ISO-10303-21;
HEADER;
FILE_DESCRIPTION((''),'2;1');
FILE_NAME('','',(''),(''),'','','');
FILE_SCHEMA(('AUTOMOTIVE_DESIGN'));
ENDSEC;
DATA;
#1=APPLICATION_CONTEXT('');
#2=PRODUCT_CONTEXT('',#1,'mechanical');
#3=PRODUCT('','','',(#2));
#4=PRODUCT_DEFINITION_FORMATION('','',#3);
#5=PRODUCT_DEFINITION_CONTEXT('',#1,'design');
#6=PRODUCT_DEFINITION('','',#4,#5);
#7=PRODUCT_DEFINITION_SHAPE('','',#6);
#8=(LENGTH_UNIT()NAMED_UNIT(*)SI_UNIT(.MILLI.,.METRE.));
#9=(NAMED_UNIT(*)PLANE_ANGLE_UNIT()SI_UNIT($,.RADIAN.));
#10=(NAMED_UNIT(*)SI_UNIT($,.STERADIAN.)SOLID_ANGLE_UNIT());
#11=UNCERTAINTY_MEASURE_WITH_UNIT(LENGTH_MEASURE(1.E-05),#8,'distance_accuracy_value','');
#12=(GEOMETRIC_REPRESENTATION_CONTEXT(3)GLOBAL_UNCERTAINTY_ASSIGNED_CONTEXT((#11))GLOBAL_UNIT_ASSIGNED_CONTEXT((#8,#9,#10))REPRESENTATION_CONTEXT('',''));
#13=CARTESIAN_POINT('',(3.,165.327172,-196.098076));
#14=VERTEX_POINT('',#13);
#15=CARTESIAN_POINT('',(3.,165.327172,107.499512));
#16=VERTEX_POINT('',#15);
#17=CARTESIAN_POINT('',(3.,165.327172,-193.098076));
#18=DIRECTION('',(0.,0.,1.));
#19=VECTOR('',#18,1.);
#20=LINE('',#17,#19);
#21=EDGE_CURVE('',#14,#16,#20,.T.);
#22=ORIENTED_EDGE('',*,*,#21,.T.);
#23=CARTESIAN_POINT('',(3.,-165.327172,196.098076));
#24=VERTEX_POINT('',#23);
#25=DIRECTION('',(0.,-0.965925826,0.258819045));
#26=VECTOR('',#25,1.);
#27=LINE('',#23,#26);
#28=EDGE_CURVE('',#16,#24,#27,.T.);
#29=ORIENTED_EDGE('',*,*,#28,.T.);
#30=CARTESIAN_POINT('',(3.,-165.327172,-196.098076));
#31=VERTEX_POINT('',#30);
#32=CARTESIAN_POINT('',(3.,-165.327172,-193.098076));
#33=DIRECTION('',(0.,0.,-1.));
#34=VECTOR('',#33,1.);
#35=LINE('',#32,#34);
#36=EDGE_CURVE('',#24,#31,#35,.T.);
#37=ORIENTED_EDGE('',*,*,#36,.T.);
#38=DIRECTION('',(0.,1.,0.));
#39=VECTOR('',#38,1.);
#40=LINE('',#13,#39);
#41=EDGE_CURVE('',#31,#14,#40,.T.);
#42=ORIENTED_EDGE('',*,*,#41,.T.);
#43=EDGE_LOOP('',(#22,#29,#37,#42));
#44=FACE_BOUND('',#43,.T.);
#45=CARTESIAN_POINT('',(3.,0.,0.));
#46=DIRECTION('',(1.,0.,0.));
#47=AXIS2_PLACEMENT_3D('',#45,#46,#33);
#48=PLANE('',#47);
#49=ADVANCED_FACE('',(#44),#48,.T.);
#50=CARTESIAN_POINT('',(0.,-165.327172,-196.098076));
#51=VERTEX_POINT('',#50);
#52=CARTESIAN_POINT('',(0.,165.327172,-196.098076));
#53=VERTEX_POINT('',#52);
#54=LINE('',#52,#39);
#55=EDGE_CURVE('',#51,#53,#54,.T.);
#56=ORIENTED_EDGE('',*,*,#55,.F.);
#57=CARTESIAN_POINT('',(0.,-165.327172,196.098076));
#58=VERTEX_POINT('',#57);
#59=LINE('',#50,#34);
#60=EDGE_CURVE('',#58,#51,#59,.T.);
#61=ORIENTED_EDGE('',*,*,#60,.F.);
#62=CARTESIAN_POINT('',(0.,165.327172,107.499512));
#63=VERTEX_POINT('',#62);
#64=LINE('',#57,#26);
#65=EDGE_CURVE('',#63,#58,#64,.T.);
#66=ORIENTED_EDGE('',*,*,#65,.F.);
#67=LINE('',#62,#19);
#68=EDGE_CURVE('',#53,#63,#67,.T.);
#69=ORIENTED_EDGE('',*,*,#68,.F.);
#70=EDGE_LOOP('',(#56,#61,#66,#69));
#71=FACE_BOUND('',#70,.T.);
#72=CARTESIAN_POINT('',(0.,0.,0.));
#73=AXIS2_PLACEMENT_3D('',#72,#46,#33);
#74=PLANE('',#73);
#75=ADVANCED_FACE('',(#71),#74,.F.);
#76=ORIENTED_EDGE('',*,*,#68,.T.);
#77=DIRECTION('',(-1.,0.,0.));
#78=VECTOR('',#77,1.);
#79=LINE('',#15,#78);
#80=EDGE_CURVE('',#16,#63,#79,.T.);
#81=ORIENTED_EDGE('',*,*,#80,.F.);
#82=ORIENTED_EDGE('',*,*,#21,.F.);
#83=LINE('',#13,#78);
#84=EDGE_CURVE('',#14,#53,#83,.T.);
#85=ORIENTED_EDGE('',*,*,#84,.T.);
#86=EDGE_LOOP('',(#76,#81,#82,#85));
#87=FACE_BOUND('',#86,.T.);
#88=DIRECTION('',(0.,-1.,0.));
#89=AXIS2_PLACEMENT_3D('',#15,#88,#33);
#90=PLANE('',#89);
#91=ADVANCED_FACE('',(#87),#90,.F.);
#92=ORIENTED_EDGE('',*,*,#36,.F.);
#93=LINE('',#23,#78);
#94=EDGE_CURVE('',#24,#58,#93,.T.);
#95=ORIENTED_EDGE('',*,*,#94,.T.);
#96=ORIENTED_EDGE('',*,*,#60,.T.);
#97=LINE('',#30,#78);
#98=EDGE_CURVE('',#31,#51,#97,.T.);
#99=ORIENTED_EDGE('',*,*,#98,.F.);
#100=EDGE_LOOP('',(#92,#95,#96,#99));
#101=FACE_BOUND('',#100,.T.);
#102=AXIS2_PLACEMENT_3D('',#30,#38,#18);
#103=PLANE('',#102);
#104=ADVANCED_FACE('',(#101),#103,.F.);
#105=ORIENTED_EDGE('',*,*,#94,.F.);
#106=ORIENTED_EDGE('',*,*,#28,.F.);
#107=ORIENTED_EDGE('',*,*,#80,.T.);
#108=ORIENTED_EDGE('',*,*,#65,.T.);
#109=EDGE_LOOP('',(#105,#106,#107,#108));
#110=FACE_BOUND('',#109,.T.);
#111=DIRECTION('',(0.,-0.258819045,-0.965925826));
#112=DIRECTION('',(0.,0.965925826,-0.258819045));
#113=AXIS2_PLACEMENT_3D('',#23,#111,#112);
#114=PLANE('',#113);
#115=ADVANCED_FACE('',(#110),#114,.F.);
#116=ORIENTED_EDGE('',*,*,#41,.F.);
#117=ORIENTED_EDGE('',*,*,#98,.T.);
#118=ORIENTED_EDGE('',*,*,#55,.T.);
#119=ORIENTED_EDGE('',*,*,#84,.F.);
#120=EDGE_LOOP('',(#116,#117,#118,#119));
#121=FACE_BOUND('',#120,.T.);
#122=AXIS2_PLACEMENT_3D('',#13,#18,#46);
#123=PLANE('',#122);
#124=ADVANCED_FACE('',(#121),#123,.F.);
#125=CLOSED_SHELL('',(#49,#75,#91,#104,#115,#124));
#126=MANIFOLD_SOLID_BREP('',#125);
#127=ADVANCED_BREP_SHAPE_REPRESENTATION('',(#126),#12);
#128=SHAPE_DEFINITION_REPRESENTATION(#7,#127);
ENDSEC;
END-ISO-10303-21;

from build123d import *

# Parameters (mm, degrees)
BOSS_EXTRUDE1_DEPTH = 3


with BuildPart() as part:
    # Sketch1 → Boss-Extrude1 (new body)
    with BuildSketch(Plane(origin=(0, 0, 0), x_dir=(0, 0, -1), z_dir=(1, 0, 0))):
        Polygon((-196.098076211, -165.327172392), (-107.499511553, 165.327172392), (193.098076211, 165.327172392), (196.098076211, 165.327172392), (196.098076211, -165.327172392), (193.098076211, -165.327172392), align=None)
    extrude(amount=BOSS_EXTRUDE1_DEPTH)


solid = part.part
